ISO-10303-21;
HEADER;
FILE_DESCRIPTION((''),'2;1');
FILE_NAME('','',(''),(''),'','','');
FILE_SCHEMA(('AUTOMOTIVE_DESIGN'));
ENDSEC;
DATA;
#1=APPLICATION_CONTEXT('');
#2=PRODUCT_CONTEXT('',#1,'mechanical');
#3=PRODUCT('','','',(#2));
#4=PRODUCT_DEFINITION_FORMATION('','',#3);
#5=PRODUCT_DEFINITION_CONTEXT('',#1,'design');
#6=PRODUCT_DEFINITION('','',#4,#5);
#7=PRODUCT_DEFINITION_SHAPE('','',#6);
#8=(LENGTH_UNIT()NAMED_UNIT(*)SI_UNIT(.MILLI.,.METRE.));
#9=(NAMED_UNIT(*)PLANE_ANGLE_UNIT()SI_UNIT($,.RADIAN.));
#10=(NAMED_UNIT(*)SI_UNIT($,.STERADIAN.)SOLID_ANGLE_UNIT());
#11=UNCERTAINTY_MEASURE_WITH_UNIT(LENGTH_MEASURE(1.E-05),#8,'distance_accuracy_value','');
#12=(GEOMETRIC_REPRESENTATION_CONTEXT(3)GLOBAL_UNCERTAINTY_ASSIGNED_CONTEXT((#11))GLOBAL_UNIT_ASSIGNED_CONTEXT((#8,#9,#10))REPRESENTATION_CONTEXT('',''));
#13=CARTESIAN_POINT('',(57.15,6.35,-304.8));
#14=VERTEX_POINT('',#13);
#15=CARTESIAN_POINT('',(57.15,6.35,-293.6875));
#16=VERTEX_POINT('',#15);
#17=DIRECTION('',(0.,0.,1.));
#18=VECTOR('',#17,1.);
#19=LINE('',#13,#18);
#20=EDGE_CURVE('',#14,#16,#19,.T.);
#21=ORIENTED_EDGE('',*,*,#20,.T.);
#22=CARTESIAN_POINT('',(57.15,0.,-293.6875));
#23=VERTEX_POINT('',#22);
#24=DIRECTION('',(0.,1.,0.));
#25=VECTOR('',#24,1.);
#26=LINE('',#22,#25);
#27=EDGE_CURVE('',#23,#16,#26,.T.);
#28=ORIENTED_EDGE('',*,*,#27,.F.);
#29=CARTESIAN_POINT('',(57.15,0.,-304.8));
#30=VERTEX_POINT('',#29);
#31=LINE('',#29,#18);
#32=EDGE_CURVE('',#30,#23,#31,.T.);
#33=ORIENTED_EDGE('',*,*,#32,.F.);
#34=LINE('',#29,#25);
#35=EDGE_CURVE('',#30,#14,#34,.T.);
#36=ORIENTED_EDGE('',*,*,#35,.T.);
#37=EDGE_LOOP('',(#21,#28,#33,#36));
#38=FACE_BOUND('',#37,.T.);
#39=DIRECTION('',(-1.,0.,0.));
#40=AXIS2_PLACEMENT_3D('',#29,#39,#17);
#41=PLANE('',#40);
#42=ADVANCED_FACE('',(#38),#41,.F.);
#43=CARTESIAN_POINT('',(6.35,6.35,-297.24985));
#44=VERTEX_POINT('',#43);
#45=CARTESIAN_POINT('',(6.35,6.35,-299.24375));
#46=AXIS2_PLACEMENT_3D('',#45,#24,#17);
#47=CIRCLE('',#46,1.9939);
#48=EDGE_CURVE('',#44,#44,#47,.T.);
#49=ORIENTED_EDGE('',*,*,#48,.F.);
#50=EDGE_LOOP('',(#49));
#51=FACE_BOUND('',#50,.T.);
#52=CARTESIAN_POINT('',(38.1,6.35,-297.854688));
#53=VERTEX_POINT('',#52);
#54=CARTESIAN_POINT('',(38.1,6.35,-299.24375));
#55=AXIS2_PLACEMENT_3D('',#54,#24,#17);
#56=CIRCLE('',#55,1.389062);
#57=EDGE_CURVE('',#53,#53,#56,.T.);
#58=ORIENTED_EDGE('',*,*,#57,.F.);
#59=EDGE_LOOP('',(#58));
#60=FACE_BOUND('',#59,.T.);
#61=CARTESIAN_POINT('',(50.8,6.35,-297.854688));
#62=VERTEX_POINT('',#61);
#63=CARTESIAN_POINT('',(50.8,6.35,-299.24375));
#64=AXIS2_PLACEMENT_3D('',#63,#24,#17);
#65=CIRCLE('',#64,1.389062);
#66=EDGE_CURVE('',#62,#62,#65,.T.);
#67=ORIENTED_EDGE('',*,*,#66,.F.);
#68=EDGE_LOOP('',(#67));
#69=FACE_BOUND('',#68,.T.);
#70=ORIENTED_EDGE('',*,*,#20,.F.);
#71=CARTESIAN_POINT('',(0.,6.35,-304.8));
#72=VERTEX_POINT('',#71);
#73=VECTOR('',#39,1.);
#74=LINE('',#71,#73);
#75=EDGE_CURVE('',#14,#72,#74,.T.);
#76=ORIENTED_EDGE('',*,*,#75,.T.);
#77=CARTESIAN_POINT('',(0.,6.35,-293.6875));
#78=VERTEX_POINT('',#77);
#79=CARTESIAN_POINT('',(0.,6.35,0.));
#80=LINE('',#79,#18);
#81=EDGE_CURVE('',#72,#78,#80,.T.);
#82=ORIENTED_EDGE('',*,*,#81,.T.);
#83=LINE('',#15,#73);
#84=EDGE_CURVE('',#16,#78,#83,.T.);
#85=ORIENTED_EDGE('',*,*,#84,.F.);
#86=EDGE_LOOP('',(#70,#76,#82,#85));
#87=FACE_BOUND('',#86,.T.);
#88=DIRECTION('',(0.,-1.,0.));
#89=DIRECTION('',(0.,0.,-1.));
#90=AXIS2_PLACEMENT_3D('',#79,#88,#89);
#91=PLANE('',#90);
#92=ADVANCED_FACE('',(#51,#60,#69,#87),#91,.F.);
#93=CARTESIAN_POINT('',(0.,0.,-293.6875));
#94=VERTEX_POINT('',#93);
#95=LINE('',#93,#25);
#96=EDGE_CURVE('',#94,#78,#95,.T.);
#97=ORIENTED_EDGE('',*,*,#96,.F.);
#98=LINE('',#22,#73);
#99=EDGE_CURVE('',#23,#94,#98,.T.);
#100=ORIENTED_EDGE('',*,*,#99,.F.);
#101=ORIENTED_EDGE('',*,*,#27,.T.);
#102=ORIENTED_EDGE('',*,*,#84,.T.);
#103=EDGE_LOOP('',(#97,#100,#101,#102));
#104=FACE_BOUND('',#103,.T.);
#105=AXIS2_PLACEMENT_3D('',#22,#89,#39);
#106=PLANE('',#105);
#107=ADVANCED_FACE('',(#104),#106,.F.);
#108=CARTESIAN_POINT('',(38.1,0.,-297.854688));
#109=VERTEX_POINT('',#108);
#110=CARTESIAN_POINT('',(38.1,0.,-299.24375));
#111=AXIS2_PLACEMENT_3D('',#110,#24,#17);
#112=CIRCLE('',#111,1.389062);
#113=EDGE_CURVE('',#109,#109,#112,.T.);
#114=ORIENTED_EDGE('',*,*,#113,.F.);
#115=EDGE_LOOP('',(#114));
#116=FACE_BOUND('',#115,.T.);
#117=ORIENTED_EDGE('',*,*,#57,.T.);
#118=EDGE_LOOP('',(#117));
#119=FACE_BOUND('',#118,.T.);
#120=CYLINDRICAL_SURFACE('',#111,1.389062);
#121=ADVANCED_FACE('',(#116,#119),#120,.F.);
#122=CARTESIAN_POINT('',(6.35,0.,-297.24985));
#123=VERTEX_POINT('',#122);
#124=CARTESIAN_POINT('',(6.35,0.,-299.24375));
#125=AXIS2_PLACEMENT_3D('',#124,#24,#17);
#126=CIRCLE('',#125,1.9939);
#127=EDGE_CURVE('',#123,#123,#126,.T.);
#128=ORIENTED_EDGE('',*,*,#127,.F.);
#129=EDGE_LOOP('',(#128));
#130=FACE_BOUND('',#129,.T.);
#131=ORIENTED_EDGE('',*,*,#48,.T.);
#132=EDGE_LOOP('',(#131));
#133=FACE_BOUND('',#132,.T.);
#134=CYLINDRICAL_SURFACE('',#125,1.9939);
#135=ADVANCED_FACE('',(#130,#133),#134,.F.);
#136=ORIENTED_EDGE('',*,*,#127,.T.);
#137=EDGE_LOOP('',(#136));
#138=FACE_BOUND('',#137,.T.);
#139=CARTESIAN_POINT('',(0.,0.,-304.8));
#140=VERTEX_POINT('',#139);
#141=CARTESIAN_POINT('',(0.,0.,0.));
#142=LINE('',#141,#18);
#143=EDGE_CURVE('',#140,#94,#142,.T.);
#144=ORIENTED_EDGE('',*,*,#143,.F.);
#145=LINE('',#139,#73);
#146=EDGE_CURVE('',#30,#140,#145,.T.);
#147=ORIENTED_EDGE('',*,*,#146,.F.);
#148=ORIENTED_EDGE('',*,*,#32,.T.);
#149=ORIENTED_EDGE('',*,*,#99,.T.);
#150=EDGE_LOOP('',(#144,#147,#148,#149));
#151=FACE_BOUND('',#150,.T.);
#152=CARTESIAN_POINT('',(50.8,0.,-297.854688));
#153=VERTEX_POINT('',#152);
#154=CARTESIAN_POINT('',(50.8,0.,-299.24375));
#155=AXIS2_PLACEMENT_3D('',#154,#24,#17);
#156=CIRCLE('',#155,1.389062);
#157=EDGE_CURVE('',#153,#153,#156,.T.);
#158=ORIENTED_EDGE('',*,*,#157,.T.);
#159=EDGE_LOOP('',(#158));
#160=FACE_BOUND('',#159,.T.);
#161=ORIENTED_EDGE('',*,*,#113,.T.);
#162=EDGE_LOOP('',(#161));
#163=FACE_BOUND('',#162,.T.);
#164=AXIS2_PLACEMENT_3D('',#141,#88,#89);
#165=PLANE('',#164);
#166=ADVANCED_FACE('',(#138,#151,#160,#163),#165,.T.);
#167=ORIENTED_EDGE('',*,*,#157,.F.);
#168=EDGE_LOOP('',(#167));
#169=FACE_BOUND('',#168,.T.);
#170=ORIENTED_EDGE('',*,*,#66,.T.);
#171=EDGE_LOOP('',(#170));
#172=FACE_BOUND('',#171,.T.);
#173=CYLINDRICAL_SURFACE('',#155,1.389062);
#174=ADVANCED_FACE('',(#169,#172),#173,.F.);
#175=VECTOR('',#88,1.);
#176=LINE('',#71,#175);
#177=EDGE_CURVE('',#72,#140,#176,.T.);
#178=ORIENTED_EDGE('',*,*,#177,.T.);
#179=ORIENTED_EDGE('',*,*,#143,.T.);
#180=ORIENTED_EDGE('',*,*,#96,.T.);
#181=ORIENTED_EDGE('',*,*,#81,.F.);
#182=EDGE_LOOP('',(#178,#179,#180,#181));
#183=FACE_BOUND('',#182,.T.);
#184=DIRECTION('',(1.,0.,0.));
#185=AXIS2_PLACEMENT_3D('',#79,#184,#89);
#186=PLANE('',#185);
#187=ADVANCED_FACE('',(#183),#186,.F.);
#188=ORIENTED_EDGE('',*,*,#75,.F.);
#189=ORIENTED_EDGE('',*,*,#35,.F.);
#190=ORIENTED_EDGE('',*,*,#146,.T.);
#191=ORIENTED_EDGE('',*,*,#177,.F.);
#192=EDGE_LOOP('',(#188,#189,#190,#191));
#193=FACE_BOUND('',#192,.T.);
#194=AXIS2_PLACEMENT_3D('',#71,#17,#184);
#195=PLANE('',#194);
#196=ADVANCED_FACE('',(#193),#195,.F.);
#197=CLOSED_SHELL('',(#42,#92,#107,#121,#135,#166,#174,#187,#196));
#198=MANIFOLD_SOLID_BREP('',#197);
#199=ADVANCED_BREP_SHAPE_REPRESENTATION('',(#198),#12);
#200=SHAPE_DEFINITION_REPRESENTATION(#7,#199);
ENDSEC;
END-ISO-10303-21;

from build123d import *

# Parameters (mm, degrees)
SKETCH1_W           = 304.8
SKETCH1_H           = 304.8
BOSS_EXTRUDE1_DEPTH = 6.35
CUT_EXTRUDE2_DEPTH  = 6.35
SKETCH3_R           = 1.9939
SKETCH3_R_2         = 1.3890625
CUT_EXTRUDE3_DEPTH  = 311.176538442


with BuildPart() as part:
    # Sketch1 → Boss-Extrude1 (new body)
    with BuildSketch(Plane(origin=(0, 0, 0), x_dir=(1, 0, 0), z_dir=(0, 1, 0))):
        with Locations((152.4, 152.4)):
            Rectangle(SKETCH1_W, SKETCH1_H)
    extrude(amount=BOSS_EXTRUDE1_DEPTH)

    # Sketch2 → Cut-Extrude2 (cut)
    with BuildSketch(Plane(origin=(0, 6.35, 0), x_dir=(1, 0, 0), z_dir=(0, 1, 0))):
        Polygon((57.15, 304.8), (57.15, 293.6875), (0, 293.6875), (0, 0), (304.8, 0), (304.8, 304.8), align=None)
    extrude(amount=-CUT_EXTRUDE2_DEPTH, mode=Mode.SUBTRACT)

    # Sketch3 → Cut-Extrude3 (cut, through all)
    with BuildSketch(Plane(origin=(0, 6.35, 0), x_dir=(1, 0, 0), z_dir=(0, 1, 0))):
        with Locations(Location((6.35, 299.24375, 0), (0, 0, 270))):
            Circle(SKETCH3_R)
        with Locations(Location((50.8, 299.24375, 0), (0, 0, 270))):
            Circle(SKETCH3_R_2)
        with Locations(Location((38.1, 299.24375, 0), (0, 0, 270))):
            Circle(SKETCH3_R_2)
    extrude(amount=-CUT_EXTRUDE3_DEPTH, mode=Mode.SUBTRACT)


solid = part.part
